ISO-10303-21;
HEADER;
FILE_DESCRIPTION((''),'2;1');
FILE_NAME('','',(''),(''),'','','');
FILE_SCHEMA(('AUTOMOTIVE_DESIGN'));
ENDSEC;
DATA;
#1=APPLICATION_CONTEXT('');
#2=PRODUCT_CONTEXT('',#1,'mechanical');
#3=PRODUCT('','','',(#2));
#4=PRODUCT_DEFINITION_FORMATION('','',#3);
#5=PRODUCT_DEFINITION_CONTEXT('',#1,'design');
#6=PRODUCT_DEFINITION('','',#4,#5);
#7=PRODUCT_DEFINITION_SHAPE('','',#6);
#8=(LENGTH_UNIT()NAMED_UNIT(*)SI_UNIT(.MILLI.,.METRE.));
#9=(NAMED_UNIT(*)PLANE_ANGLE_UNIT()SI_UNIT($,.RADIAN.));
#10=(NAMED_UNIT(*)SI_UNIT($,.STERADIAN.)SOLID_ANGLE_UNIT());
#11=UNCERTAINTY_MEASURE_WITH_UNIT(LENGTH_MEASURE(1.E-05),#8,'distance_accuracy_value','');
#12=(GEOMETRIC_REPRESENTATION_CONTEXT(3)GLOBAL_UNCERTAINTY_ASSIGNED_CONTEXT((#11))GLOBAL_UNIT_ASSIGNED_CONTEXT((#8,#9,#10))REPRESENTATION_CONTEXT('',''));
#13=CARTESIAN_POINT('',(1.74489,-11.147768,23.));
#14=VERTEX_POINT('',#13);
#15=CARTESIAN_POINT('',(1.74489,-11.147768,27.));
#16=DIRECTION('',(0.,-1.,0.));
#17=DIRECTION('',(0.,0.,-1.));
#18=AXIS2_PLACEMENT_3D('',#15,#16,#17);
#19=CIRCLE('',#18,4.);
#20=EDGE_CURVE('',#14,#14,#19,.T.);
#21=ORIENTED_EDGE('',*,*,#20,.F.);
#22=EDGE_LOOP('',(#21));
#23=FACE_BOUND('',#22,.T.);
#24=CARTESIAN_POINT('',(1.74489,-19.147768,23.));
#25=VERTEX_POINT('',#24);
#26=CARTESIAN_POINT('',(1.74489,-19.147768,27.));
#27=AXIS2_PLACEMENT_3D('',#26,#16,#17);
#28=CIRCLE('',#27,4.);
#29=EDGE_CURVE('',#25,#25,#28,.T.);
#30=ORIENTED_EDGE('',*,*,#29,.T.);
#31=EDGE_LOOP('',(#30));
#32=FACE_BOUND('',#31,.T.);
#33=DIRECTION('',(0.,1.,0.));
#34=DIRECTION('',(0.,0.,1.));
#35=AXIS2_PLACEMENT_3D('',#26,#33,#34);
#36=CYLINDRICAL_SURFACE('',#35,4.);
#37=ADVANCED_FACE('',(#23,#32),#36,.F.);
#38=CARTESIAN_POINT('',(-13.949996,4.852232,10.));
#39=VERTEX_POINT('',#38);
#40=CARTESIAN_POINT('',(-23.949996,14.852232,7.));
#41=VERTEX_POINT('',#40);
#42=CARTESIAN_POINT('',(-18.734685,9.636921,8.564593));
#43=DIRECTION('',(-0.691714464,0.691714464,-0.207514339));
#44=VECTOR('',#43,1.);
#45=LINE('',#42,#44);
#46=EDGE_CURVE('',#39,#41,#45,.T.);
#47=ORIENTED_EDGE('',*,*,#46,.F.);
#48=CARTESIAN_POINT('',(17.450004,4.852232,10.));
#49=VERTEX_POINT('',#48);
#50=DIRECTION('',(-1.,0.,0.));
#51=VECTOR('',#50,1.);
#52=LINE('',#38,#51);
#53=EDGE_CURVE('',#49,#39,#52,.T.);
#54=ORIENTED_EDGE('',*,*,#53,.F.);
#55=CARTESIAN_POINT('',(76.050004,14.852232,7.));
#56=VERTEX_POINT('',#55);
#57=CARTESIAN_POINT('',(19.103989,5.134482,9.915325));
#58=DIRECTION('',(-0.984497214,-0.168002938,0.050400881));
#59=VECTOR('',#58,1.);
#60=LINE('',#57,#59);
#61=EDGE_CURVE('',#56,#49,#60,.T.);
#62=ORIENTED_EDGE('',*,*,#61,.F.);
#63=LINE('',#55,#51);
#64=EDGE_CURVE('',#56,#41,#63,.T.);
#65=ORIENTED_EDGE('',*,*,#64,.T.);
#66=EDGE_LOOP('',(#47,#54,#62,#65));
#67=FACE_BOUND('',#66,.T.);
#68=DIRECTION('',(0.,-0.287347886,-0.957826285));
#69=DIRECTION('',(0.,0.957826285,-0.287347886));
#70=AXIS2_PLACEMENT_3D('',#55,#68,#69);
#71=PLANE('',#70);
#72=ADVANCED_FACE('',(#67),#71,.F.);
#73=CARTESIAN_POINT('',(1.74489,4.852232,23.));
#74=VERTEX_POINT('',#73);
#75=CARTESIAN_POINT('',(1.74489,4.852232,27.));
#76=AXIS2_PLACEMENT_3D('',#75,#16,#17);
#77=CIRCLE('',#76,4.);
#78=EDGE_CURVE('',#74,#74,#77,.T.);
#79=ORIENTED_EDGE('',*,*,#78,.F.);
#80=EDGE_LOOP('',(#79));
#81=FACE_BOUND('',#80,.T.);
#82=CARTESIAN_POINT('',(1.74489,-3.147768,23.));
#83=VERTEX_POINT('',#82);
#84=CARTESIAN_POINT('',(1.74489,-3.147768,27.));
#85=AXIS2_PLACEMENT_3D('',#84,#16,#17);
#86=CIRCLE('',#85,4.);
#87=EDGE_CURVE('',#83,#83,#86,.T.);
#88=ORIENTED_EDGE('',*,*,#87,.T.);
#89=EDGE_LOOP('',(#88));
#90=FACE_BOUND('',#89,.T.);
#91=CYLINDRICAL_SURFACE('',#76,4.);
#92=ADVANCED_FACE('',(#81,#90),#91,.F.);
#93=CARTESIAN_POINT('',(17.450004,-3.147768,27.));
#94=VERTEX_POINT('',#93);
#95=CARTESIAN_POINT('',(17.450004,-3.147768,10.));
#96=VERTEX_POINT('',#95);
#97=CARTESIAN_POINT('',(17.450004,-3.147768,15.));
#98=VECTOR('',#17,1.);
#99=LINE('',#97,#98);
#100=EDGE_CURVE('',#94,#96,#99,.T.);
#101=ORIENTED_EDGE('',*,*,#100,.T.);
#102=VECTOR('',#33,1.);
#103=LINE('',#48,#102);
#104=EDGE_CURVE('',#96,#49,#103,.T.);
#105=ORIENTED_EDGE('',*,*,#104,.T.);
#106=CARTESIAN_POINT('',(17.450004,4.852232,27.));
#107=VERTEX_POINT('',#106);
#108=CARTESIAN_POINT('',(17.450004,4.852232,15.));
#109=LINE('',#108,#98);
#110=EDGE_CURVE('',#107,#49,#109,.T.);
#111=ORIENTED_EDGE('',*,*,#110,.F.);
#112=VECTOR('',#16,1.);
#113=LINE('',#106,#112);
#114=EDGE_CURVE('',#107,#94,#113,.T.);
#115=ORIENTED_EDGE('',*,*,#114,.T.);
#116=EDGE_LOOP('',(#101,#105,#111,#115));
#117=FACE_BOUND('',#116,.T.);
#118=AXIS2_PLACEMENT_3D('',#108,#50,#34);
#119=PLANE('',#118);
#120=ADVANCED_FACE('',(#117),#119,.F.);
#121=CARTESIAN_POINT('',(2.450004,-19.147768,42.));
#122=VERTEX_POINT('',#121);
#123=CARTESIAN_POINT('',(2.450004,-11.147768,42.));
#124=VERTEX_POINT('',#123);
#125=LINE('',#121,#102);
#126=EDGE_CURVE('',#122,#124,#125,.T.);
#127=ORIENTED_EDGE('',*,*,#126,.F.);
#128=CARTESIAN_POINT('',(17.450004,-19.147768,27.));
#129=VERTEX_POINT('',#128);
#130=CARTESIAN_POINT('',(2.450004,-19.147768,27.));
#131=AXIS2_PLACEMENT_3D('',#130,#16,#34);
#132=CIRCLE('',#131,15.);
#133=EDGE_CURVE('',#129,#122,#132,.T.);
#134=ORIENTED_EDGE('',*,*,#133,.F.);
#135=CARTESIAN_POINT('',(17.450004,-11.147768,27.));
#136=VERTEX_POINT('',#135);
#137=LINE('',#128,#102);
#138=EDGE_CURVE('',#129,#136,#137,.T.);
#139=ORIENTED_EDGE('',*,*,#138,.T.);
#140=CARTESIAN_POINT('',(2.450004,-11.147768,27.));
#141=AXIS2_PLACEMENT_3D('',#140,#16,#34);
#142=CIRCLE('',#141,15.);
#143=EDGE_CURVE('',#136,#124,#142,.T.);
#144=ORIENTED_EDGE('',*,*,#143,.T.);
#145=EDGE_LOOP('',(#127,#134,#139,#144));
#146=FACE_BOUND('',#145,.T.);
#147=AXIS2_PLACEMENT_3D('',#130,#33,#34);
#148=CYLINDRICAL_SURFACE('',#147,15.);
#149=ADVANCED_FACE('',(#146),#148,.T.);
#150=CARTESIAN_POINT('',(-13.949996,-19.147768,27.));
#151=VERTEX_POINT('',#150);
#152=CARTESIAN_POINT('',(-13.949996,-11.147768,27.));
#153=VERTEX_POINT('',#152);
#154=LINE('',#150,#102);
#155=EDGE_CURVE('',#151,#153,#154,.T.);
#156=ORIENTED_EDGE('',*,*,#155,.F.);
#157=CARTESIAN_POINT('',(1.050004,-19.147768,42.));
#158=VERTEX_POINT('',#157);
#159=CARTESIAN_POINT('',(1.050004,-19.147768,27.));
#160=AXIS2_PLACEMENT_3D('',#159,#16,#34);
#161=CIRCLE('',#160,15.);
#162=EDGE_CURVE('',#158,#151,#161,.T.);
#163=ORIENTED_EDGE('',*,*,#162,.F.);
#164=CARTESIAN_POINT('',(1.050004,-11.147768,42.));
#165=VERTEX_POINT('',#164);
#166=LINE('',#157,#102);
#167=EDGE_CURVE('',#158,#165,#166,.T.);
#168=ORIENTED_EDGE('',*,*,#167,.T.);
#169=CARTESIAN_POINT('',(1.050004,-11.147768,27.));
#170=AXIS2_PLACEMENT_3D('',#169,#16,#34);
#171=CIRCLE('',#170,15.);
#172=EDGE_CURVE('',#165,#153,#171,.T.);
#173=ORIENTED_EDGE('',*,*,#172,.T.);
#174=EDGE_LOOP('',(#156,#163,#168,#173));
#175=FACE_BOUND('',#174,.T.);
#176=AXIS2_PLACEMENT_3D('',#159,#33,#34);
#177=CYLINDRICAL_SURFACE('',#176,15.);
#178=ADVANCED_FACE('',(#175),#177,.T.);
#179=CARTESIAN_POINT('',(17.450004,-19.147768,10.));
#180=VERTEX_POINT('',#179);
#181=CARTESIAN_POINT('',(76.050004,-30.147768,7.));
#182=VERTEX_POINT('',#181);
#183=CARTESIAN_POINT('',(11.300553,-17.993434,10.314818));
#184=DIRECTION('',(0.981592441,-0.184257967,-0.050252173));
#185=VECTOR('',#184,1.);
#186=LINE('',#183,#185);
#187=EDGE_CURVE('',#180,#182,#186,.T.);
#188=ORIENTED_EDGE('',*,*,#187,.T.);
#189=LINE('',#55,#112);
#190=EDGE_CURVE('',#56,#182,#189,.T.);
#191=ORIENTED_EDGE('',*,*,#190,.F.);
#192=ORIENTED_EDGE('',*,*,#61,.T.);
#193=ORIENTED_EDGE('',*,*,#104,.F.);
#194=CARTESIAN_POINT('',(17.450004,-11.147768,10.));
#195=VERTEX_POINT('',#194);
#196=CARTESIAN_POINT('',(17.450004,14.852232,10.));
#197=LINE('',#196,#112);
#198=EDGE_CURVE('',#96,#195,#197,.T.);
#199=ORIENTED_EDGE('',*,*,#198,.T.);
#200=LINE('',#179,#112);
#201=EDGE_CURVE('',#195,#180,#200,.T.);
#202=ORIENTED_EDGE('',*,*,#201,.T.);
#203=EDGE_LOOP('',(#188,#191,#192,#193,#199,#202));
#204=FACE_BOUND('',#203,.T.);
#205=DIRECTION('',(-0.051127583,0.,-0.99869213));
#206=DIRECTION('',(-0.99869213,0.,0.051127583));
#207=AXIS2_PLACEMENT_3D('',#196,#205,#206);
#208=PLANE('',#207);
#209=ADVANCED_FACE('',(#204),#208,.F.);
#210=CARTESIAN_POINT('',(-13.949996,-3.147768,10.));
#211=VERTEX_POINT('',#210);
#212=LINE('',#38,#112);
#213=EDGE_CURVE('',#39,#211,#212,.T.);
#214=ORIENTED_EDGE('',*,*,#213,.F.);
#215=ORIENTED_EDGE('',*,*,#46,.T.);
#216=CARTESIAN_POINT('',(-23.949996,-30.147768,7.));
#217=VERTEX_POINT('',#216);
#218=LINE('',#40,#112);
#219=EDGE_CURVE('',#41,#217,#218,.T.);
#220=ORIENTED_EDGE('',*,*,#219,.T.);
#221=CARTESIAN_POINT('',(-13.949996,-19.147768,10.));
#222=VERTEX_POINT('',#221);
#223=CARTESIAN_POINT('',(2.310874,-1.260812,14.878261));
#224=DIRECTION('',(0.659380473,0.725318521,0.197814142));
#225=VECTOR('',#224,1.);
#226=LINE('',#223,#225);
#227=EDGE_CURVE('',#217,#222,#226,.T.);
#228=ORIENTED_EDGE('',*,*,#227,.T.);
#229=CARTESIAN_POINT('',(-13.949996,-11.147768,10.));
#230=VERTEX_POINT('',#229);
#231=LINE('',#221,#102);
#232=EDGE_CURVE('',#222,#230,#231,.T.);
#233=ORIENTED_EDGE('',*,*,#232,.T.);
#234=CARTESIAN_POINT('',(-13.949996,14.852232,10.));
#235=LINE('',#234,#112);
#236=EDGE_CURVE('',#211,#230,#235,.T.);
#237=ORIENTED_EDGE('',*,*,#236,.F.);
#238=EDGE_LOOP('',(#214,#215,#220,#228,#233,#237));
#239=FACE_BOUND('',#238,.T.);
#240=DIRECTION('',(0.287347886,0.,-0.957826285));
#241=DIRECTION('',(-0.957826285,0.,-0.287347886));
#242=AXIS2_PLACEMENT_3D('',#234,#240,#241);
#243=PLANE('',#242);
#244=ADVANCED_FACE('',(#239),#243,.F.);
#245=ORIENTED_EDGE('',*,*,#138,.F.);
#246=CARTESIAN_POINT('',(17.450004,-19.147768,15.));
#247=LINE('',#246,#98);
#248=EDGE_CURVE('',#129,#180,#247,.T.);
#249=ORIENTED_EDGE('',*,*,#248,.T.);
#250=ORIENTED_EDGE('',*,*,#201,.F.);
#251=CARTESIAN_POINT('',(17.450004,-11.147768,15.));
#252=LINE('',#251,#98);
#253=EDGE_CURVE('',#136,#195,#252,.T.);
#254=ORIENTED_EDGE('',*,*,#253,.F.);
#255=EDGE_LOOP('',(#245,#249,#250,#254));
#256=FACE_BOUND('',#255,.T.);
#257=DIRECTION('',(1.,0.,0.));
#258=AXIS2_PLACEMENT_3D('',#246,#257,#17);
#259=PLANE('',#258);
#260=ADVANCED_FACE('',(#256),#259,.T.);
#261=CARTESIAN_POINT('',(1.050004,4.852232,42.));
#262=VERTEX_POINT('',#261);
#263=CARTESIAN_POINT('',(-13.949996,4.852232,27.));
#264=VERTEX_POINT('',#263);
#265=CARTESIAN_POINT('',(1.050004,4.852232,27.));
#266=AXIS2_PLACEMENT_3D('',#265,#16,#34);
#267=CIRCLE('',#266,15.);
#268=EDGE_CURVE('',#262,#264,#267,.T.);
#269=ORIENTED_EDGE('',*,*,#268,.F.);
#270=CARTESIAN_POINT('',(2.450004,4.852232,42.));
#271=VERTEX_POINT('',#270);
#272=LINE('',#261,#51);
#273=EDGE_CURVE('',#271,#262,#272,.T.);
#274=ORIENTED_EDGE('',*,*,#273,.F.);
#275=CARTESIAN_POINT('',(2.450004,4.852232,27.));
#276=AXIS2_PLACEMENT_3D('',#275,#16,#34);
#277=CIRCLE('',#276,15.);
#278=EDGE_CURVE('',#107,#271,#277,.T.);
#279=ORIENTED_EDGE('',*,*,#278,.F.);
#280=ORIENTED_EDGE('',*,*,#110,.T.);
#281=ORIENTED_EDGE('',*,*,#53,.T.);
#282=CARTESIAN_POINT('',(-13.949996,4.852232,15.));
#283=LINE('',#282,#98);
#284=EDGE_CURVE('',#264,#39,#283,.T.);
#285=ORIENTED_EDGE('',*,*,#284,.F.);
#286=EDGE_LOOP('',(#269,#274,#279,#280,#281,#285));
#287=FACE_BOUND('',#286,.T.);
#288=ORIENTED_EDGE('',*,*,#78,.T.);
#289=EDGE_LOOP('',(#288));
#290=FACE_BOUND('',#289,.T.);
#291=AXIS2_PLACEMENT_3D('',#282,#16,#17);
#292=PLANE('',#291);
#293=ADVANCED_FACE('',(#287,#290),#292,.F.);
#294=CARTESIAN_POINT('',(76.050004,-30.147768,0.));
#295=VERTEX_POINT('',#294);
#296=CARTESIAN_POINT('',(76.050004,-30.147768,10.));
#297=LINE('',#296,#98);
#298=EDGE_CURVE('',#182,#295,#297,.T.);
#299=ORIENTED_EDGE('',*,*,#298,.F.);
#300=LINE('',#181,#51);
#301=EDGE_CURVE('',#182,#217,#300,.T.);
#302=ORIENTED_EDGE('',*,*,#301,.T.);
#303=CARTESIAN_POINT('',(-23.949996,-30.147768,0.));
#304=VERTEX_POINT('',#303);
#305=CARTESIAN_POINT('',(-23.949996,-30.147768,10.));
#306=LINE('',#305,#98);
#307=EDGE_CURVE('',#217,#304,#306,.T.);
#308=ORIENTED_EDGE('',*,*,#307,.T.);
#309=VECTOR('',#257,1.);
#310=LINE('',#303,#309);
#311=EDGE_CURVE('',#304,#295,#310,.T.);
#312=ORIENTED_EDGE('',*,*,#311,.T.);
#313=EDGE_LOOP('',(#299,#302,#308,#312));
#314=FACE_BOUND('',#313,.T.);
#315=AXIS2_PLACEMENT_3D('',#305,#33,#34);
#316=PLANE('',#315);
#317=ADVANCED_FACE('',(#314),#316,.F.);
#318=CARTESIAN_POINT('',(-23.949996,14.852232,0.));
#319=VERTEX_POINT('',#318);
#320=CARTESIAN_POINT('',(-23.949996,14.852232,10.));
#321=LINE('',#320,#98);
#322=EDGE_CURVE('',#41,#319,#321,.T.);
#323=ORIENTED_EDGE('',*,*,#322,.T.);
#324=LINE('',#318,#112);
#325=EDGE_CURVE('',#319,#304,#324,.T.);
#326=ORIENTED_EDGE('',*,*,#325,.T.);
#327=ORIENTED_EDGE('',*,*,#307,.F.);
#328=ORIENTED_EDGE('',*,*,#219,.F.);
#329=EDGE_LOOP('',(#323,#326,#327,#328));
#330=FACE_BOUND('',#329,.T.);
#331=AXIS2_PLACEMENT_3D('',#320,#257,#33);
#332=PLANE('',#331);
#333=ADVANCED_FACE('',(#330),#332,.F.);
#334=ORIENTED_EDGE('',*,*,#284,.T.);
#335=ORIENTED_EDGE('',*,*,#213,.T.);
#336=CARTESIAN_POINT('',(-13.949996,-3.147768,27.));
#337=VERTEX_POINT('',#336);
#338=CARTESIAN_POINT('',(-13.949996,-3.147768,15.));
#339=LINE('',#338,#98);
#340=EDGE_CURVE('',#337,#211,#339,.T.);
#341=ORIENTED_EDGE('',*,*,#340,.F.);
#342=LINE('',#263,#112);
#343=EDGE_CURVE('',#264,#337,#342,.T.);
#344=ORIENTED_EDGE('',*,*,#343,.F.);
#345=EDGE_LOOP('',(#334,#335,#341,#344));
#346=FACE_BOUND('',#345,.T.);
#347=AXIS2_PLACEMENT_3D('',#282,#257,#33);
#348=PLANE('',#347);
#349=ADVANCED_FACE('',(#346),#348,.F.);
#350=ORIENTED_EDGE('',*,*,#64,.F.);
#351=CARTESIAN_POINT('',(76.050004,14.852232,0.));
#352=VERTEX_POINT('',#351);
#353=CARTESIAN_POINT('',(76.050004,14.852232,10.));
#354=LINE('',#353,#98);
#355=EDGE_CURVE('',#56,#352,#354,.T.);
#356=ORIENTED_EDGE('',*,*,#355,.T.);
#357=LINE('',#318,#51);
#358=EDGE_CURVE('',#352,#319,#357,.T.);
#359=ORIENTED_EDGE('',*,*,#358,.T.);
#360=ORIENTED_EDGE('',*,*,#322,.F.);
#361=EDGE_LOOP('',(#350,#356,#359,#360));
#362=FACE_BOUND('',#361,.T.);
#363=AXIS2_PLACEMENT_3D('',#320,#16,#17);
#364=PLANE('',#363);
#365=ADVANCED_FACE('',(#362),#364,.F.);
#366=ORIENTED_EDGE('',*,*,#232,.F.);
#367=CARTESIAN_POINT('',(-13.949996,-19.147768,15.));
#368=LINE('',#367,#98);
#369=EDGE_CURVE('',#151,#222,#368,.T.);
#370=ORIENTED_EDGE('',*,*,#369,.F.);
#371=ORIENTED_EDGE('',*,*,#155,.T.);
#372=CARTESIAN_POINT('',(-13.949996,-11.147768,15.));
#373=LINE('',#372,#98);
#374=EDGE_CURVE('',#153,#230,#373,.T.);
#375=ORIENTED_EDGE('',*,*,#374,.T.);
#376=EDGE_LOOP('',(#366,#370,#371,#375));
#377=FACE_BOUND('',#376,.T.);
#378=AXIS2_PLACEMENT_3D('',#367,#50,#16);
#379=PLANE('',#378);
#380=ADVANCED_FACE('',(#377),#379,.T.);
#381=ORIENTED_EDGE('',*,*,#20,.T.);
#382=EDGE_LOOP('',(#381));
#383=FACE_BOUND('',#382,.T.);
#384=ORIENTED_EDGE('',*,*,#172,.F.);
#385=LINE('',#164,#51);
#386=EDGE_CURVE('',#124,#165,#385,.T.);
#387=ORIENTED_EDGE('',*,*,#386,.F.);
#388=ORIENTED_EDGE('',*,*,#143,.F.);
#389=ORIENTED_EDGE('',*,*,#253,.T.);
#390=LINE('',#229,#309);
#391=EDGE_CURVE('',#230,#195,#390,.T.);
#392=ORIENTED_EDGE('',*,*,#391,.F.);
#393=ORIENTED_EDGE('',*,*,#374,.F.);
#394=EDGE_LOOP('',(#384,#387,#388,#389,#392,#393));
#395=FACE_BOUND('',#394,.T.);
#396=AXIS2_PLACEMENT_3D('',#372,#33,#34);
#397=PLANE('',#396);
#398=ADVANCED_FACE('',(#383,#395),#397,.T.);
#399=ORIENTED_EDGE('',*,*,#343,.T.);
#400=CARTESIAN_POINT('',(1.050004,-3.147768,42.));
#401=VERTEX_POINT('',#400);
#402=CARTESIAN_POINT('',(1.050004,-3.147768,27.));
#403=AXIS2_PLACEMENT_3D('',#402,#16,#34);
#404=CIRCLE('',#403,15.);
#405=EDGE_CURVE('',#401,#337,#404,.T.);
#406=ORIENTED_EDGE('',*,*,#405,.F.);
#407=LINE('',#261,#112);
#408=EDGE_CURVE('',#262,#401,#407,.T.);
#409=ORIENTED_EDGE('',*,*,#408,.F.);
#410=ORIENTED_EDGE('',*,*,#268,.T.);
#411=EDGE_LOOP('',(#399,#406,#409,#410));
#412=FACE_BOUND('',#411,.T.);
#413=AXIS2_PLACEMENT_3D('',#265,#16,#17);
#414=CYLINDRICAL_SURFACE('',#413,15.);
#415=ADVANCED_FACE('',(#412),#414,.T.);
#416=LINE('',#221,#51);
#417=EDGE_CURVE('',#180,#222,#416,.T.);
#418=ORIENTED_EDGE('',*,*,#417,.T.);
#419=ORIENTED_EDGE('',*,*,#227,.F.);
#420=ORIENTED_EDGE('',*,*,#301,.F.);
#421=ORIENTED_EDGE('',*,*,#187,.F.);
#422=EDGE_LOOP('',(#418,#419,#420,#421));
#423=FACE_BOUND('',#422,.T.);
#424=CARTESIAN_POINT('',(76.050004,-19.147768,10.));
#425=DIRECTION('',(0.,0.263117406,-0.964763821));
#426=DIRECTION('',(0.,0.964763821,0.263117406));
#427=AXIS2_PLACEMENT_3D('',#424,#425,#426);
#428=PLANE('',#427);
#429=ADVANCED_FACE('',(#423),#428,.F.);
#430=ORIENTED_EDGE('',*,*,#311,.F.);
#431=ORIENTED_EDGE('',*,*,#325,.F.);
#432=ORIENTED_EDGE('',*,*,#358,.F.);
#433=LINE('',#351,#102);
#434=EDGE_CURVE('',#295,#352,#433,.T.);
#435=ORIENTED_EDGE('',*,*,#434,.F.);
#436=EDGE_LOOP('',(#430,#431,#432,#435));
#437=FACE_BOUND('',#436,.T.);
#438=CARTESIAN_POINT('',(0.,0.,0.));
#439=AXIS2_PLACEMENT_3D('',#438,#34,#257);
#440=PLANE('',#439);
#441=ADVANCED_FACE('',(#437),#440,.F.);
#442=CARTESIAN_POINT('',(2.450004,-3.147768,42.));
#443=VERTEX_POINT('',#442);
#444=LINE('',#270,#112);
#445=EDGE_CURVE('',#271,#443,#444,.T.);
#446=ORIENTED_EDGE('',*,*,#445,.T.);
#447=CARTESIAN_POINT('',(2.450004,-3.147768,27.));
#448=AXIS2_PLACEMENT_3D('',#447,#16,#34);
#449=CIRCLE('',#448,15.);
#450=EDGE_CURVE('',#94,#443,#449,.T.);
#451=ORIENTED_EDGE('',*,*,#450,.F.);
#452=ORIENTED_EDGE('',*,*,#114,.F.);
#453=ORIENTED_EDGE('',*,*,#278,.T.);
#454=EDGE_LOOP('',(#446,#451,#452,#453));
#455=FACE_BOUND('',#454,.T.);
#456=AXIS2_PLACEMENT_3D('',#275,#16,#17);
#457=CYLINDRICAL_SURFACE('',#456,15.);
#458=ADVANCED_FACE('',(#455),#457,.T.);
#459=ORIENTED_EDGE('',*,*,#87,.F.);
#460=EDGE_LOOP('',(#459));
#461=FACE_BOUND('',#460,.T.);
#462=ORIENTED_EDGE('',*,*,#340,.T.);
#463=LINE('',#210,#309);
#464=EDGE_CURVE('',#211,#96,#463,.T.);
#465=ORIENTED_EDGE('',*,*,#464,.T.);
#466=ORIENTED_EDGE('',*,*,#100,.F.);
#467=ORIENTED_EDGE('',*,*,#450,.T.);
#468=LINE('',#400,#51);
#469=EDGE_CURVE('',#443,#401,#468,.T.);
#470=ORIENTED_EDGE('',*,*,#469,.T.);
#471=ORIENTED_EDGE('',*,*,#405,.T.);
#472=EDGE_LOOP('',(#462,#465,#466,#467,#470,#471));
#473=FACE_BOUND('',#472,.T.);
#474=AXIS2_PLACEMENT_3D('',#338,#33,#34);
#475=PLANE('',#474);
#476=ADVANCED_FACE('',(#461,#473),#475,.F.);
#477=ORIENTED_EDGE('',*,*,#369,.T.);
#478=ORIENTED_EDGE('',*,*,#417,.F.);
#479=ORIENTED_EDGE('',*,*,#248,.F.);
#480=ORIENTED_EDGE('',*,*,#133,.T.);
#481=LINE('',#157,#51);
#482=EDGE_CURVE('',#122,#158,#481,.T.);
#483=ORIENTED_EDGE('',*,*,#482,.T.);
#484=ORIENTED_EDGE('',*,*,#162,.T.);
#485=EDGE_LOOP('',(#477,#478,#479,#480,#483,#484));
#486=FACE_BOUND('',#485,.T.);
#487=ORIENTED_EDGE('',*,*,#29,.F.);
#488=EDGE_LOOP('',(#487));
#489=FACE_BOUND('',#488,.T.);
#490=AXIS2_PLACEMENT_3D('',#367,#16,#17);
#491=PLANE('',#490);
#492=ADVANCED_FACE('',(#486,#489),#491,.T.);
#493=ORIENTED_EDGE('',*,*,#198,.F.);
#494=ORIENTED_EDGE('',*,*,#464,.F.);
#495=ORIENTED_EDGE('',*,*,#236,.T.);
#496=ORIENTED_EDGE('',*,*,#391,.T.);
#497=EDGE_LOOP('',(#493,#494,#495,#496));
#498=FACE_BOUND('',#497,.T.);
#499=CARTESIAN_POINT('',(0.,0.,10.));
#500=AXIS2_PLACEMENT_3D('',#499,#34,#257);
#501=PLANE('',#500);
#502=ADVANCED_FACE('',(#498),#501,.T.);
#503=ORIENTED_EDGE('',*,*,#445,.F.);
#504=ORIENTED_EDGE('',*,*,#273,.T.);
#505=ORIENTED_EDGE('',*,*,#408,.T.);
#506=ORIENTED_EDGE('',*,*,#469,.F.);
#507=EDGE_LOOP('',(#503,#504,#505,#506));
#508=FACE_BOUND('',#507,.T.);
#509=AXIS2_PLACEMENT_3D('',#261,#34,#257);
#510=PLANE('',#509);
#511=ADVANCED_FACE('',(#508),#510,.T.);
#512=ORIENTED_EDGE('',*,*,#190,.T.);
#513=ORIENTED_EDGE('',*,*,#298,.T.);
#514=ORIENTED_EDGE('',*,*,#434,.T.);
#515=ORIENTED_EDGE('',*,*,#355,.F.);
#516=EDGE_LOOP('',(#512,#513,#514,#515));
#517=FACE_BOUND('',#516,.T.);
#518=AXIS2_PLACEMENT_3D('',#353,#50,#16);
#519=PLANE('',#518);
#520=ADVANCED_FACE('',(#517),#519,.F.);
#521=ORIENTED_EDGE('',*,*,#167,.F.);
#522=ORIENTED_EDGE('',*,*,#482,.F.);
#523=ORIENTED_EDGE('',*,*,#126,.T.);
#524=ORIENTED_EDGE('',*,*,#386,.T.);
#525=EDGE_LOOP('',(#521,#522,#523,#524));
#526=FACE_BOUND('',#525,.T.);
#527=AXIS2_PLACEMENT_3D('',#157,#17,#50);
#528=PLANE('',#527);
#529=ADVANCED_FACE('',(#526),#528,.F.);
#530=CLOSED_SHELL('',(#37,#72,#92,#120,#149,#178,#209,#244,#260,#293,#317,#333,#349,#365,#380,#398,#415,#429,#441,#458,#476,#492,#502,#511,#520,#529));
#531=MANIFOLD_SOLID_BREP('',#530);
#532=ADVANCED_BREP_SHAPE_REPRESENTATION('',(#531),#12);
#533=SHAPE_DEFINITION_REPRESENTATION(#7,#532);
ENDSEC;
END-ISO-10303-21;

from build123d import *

# Parameters (mm, degrees)
SKETCH1_W           = 100
SKETCH1_H           = 45
BOSS_EXTRUDE1_DEPTH = 10
SKETCH3_W           = 31.4
SKETCH3_H           = 8
BOSS_EXTRUDE2_DEPTH = 5
SKETCH4_R           = 4
BOSS_EXTRUDE3_DEPTH = 8
CUT_EXTRUDE1_DEPTH  = 45
CUT_EXTRUDE2_DEPTH  = 100


with BuildPart() as part:
    # Sketch1 → Boss-Extrude1 (new body)
    with BuildSketch(Plane.XY):
        with Locations((26.050004349, -7.647768163)):
            Rectangle(SKETCH1_W, SKETCH1_H)
    extrude(amount=BOSS_EXTRUDE1_DEPTH)

    # Sketch3 → Boss-Extrude2 (add)
    with BuildSketch(Plane.XY.offset(10)):
        with Locations((1.750004349, 0.852231837)):
            Rectangle(SKETCH3_W, SKETCH3_H)
    boss_extrude2 = extrude(amount=BOSS_EXTRUDE2_DEPTH)

    # Sketch4 → Boss-Extrude3 (add)
    with BuildSketch(Plane.XZ.offset(3.147768163)):
        with BuildLine():
            Line((-13.949995651, 15), (-13.949995651, 27))
            ThreePointArc((-13.949995651, 27), (-9.556597369, 37.606601718), (1.050004349, 42))
            Line((1.050004349, 42), (2.450004349, 42))
            ThreePointArc((2.450004349, 42), (13.056606067, 37.606601718), (17.450004349, 27))
            Line((17.450004349, 27), (17.450004349, 15))
            Line((17.450004349, 15), (-13.949995651, 15))
        make_face()
        with Locations(Location((1.744890168, 27, 0), (0, 0, 270))):
            Circle(SKETCH4_R, mode=Mode.SUBTRACT)
    boss_extrude3 = extrude(amount=-BOSS_EXTRUDE3_DEPTH)

    # Mirror1: Boss-Extrude2, Boss-Extrude3 across plane
    add(boss_extrude2.mirror(Plane(origin=(0, -7.147768163, 0), x_dir=(0, 0, 1), z_dir=(0, -1, 0))))
    add(boss_extrude3.mirror(Plane(origin=(0, -7.147768163, 0), x_dir=(0, 0, 1), z_dir=(0, -1, 0))))

    # Sketch5 → Cut-Extrude1 (cut)
    with BuildSketch(Plane.XZ.offset(30.147768163)):
        Polygon((-13.949995651, 10), (-23.949995651, 7), (-23.949995651, 10), align=None)
        Polygon((17.450004349, 10), (76.050004349, 7), (76.050004349, 10), align=None)
    extrude(amount=-CUT_EXTRUDE1_DEPTH, mode=Mode.SUBTRACT)

    # Sketch6 → Cut-Extrude2 (cut)
    with BuildSketch(Plane.ZY.offset(23.949995651)):
        Polygon((7, 14.852231837), (10, 4.852231837), (10, 14.852231837), align=None)
        Polygon((10, -19.147768163), (7, -30.147768163), (10, -30.147768163), align=None)
    extrude(amount=-CUT_EXTRUDE2_DEPTH, mode=Mode.SUBTRACT)


solid = part.part
